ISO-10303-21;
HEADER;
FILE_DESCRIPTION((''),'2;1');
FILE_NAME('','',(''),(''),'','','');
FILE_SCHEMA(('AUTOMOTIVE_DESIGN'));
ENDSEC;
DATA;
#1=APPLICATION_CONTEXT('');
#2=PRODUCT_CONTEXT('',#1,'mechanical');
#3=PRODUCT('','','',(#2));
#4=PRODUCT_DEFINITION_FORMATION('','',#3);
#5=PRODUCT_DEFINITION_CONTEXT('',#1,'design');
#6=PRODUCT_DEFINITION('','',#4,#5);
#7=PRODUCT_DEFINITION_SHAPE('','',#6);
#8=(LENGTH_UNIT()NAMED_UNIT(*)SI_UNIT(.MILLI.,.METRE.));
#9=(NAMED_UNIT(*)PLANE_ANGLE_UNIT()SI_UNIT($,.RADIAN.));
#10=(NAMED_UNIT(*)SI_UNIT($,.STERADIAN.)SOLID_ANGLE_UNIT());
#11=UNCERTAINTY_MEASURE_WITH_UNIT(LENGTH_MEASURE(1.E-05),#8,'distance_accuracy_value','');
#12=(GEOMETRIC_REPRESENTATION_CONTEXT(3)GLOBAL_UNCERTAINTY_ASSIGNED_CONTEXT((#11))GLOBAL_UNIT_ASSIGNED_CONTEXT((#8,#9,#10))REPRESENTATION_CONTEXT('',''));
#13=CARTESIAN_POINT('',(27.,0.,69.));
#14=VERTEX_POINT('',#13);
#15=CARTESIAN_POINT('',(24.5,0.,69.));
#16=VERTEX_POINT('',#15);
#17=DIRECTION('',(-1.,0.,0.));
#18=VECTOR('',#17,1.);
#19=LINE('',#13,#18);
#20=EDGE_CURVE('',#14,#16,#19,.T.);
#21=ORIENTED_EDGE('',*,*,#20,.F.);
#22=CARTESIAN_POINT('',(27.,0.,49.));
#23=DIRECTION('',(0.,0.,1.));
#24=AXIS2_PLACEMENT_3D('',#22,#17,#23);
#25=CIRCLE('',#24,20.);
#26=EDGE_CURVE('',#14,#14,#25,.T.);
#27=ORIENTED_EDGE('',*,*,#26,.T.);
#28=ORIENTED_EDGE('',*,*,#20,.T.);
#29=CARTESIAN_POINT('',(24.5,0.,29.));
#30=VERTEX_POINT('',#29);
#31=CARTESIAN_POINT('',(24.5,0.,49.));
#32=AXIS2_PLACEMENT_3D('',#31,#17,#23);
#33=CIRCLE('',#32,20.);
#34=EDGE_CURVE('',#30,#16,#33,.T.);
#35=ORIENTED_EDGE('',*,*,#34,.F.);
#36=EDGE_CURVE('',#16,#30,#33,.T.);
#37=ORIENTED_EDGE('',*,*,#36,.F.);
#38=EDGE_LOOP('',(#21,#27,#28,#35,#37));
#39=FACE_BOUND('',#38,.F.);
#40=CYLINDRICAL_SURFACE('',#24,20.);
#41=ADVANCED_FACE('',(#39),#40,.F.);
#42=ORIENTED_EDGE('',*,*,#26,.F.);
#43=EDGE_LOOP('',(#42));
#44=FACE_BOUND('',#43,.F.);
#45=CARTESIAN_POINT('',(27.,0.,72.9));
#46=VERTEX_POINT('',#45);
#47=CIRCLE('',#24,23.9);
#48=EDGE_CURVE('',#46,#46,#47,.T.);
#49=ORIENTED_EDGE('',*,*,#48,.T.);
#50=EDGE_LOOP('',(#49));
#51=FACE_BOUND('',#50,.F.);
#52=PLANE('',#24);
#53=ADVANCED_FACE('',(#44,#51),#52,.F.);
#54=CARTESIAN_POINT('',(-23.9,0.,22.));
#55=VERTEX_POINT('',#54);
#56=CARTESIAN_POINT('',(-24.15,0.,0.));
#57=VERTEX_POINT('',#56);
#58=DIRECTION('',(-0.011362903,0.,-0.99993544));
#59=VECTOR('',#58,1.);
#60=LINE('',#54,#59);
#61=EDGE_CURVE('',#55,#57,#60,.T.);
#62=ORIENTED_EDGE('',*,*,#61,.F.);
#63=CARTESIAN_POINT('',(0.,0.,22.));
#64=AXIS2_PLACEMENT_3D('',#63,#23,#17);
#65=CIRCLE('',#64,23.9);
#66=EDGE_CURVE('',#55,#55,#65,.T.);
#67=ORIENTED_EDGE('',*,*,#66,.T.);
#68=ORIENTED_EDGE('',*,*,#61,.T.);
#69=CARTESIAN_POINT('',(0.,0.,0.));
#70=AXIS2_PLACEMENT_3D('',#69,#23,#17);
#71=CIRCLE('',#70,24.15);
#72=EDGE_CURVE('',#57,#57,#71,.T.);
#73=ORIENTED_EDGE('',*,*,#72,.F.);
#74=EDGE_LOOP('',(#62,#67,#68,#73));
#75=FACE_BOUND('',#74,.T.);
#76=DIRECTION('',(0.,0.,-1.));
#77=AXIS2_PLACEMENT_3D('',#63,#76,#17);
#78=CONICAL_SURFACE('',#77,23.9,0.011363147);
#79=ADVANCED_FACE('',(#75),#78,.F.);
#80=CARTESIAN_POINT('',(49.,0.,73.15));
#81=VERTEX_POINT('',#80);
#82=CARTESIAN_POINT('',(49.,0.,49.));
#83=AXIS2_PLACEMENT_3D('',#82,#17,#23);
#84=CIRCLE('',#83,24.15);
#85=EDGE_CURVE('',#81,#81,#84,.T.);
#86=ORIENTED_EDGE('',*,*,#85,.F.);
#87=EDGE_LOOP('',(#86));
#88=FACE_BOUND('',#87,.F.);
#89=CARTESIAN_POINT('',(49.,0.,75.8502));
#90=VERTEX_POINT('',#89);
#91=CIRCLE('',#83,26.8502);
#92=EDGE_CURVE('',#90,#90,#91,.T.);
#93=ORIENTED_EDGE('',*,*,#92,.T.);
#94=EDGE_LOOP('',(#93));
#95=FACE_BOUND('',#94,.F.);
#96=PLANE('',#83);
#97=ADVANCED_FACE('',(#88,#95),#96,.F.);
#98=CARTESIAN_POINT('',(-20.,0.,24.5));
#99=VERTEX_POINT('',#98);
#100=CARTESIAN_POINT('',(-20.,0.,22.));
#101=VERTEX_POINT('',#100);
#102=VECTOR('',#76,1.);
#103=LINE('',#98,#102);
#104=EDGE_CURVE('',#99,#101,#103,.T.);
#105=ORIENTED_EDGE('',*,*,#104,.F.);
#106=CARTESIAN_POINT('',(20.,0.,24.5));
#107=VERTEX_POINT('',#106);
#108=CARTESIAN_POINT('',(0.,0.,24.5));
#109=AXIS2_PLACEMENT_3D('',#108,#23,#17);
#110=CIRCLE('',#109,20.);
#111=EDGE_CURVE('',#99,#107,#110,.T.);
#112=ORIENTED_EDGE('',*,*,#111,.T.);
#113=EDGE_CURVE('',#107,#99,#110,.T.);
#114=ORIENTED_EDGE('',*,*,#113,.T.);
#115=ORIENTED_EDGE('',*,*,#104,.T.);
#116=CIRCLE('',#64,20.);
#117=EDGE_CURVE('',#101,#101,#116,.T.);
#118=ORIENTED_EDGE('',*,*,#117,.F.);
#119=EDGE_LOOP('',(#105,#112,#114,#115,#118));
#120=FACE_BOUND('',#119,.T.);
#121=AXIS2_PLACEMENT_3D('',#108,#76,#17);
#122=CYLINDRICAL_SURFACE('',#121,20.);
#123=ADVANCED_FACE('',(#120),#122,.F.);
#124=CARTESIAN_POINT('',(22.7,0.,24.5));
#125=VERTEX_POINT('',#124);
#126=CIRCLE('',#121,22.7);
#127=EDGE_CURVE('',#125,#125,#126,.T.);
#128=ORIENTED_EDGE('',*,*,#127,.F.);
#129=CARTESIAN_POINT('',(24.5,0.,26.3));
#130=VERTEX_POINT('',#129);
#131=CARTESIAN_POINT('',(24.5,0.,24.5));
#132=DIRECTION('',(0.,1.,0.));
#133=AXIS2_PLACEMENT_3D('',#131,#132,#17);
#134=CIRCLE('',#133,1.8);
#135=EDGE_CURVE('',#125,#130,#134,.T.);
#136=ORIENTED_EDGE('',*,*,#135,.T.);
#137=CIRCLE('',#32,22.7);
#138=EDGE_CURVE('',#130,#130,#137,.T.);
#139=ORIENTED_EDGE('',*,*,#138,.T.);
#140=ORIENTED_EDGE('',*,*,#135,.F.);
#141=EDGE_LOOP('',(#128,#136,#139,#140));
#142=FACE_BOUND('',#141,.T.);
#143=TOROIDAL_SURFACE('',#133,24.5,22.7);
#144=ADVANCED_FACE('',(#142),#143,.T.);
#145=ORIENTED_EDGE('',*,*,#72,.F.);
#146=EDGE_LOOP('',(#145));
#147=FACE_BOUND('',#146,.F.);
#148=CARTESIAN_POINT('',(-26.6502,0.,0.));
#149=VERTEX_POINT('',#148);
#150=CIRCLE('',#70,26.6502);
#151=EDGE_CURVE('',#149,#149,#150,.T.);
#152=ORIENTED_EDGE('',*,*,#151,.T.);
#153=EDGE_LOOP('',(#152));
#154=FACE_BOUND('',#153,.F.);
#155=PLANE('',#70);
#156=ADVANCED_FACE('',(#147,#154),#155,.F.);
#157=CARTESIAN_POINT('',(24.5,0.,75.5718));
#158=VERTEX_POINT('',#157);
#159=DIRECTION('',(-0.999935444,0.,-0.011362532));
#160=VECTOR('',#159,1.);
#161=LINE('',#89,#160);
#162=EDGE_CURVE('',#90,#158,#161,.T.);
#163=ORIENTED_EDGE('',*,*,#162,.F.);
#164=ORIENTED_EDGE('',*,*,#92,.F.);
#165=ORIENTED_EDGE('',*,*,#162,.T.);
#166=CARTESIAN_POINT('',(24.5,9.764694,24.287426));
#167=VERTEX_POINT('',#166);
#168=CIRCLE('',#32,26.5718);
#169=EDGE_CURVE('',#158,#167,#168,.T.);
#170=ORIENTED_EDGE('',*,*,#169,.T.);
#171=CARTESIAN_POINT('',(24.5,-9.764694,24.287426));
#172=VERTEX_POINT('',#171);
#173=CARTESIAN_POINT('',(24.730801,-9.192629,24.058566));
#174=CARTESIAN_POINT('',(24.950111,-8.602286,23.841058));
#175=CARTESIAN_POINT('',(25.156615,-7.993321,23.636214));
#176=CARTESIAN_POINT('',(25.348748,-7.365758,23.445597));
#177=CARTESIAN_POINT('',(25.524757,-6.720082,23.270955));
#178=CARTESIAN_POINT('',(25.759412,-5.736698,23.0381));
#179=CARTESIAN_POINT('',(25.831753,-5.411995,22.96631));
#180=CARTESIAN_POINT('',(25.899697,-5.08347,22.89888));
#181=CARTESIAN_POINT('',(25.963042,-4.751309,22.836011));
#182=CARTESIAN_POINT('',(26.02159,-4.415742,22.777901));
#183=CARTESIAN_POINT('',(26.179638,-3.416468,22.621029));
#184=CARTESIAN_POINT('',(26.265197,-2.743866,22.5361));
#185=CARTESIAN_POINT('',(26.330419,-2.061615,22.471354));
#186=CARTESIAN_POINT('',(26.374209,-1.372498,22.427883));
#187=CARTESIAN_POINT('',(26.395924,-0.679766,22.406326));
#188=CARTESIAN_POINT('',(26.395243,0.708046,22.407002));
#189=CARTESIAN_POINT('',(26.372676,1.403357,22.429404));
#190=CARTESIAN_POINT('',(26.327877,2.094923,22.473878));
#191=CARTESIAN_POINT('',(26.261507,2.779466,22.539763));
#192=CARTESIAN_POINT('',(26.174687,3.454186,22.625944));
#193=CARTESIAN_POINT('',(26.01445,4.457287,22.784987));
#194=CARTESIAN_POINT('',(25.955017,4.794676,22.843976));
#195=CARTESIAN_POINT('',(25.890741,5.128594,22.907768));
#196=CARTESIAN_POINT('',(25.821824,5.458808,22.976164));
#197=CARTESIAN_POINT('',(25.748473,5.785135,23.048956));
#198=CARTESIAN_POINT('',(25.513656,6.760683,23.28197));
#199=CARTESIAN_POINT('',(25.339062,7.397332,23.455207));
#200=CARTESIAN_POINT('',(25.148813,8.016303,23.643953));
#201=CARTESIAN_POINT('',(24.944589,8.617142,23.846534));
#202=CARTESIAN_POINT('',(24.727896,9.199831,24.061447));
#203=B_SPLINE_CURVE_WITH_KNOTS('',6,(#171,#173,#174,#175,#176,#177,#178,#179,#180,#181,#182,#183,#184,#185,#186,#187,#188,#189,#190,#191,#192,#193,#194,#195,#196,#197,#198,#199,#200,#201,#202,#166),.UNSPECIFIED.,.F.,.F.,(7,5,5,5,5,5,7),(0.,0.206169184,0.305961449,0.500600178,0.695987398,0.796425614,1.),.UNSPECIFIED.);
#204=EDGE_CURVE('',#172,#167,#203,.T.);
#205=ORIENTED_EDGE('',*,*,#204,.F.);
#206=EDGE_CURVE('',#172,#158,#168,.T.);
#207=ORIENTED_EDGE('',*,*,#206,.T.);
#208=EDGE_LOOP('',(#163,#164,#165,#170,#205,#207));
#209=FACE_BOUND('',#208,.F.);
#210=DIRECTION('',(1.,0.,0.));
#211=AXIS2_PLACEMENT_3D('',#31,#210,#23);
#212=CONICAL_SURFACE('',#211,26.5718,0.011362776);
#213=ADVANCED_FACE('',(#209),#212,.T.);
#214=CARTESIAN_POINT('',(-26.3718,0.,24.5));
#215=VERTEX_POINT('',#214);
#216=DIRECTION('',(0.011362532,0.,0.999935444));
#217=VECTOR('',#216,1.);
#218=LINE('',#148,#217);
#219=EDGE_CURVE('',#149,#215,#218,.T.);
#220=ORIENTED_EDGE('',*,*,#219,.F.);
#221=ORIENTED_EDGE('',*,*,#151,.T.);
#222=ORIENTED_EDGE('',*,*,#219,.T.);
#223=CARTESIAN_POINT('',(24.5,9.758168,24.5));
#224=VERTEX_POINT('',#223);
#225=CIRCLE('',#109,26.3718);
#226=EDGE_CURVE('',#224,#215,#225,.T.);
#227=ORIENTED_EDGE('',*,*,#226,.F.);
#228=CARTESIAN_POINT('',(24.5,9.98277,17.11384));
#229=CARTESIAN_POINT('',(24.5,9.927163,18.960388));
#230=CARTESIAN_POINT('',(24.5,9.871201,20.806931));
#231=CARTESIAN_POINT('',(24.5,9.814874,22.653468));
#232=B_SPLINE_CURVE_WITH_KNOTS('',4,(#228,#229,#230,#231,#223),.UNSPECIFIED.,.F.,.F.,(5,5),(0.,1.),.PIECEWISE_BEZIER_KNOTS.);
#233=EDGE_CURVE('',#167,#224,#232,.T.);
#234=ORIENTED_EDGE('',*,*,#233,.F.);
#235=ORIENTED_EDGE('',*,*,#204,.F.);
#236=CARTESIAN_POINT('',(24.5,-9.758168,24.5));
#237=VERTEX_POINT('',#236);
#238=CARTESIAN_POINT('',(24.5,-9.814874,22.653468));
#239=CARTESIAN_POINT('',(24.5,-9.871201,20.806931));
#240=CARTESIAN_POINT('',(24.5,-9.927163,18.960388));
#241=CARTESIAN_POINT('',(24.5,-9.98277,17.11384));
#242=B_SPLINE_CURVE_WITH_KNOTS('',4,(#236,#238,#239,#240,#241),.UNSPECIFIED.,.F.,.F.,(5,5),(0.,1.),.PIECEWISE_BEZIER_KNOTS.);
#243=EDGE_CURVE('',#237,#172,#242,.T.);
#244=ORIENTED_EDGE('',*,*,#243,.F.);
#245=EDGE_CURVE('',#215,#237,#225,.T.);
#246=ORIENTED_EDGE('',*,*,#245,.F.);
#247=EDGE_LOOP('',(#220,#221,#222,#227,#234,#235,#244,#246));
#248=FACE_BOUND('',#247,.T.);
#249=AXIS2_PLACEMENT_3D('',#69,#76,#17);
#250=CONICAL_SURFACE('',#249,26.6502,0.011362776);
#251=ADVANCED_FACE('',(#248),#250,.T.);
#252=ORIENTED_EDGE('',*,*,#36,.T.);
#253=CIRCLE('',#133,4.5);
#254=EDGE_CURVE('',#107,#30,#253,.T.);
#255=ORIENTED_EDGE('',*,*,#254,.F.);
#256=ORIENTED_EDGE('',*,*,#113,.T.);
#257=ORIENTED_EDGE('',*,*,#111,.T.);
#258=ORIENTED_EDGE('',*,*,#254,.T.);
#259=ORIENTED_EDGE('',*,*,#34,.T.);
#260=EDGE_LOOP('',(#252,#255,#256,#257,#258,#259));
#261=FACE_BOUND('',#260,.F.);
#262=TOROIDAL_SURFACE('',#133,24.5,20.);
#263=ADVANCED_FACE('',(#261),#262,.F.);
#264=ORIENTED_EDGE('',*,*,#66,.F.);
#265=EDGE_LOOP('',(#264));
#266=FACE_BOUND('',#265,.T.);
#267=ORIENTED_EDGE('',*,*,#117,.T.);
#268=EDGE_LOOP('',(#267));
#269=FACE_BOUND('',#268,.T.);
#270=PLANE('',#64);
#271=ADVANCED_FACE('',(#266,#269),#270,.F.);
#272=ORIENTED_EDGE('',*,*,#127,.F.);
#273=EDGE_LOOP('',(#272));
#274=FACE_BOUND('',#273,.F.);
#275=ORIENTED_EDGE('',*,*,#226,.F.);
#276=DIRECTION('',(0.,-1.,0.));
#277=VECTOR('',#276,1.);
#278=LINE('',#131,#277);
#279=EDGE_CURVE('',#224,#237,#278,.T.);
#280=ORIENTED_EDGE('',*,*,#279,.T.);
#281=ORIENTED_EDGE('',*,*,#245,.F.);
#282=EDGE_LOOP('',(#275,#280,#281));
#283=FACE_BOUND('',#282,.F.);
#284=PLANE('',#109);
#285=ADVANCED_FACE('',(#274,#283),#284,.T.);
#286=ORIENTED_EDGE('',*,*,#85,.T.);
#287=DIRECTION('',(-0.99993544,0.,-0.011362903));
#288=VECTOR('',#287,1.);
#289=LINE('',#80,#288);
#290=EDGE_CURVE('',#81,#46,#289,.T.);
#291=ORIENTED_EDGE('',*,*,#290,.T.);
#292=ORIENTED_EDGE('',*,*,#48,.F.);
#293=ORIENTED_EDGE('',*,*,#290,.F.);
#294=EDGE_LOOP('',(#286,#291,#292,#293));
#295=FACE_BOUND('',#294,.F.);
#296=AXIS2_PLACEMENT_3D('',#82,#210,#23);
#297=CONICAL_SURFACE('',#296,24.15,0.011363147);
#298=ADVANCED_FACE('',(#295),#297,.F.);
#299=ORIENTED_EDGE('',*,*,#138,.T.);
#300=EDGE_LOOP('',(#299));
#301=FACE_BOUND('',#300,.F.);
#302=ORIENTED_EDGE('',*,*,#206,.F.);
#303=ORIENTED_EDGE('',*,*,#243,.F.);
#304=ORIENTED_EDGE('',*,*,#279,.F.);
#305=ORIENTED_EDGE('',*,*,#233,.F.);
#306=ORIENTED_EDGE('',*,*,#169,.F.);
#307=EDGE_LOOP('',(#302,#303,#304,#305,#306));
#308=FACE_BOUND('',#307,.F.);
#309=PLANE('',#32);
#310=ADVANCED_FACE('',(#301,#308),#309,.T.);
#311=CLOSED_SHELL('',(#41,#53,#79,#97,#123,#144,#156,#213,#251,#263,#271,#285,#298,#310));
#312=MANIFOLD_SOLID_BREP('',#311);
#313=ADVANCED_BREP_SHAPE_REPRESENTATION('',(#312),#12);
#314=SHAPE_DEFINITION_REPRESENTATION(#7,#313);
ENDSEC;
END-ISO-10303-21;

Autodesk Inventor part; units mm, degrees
ref_plane "YZ Plane" through (0, 0, 0) normal (1, 0, 0) x (0, 1, 0)
ref_plane "XZ Plane" through (0, 0, 0) normal (0, 1, 0) x (-1, 0, 0)
ref_plane "XY Plane" through (0, 0, 0) normal (0, 0, 1) x (1, 0, 0)
sketch "Sketch1" plane through (0, 0, 0) normal (0, 1, 0) x (-1, 0, 0)
  line L0 (0, 0) -> (0, 24.5)
  line L1 (26.6502, 0) -> (0, 0)
  line L2 (0, 24.5) -> (26.3718, 24.5)
  line L3 (23.9, 22) -> (24.15, 0)
  line L4 (26.6502, 0) -> (26.3718, 24.5)
  line L5 (20, 24.5) -> (20, 22)
  line L6 (20, 22) -> (23.9, 22)
  line L7 (20, 22) -> (0, 22) construction
  dimension "d0" = 48.3
  dimension "d3" = 47.8
  dimension "d4" = 2.5
  dimension "d5" = 22
  dimension "d6" = 2.5
  dimension "d7" = 40
revolve "Revolution1" add sketch "Sketch1" angle 360 about axis through (0, 0, 0) along (0, 0, 1) contours L3 L6 L5 L2 L4 L1
sketch "Sketch2" plane through (0, 0, 24.5) normal (0, 0, 1) x (1, 0, 0)
  circle A0 centre (0, 0) radius 26.3718 projected
  circle A1 centre (0, 0) radius 20 projected
  circle A2 centre (0, 0) radius 22.7
  circle A3 centre (0, 0) radius 20
  dimension "d8" = 40
  dimension "d9" = 2.7
sketch "Sketch3" plane through (0, 0, 0) normal (0, 1, 0) x (-1, 0, 0)
  arc A0 (0, 24.5) -> (-24.5, 49) centre (-24.5, 24.5) ccw
  dimension "d10" = 24.5
  dimension "d11" = 24.5
  dimension "d12" = 24.5
sweep "Sweep1" add profiles "Sketch2" path "Sketch3" contours A2
sketch "Sketch4" plane through (0, 0, 0) normal (0, 1, 0) x (-1, 0, 0)
  line L0 (-24.5, 29) -> (-24.5, 69) projected
  line L1 (-49, 49) -> (-24.5, 49)
  line L2 (-24.5, 49) -> (-24.5, 75.5718)
  line L3 (-24.5, 75.5718) -> (-49, 75.8502)
  line L4 (-49, 75.8502) -> (-49, 49)
  line L5 (-49, 73.15) -> (-27, 72.9)
  line L6 (-27, 75.6002) -> (-27, 69)
  line L7 (-27, 69) -> (-24.5, 69)
  line L8 (-27, 69) -> (-27, 49) construction
  dimension "d14" = 2.7
  dimension "d15" = 22
  dimension "d16" = 2.5
  dimension "d17" = 48.3
  dimension "d18" = 47.8
  dimension "d19" = 40
revolve "Revolution2" add sketch "Sketch4" angle 360 about axis through (49, 0, 49) along (-1, 0, 0) contours L7 L6 L3 L2 | L4 L3 L6 L5
equation "\"d0\" = d1"
equation "\"d3\" = d2"
equation "\"d4\" = t2"
equation "\"d5\" = l1"
equation "\"d6\" = t2"
equation "\"d7\" = d"
equation "\"d8\" = d"
equation "\"d9\" = t1"
equation "\"d10\" = Z - t2"
equation "\"d11\" = Z - t2"
equation "\"d12\" = Z - t2"
equation "\"d14\" = t1"
equation "\"d15\" = l1"
equation "\"d16\" = t2"
equation "\"d17\" = d1"
equation "\"d18\" = d2"
equation "\"d19\" = d"
equation "\"d\" = 40"
equation "\"d1\" = 48.3"
equation "\"d2\" = 47.8"
equation "\"l1\" = 22"
equation "\"L\" = 49"
equation "\"t1\" = 2.7"
equation "\"t2\" = 2.5"
equation "\"Z\" = 27"
properties part number "JIS K 6739 90 Deg Elbow (DL) 40" material "PVC, Unplasticized"
